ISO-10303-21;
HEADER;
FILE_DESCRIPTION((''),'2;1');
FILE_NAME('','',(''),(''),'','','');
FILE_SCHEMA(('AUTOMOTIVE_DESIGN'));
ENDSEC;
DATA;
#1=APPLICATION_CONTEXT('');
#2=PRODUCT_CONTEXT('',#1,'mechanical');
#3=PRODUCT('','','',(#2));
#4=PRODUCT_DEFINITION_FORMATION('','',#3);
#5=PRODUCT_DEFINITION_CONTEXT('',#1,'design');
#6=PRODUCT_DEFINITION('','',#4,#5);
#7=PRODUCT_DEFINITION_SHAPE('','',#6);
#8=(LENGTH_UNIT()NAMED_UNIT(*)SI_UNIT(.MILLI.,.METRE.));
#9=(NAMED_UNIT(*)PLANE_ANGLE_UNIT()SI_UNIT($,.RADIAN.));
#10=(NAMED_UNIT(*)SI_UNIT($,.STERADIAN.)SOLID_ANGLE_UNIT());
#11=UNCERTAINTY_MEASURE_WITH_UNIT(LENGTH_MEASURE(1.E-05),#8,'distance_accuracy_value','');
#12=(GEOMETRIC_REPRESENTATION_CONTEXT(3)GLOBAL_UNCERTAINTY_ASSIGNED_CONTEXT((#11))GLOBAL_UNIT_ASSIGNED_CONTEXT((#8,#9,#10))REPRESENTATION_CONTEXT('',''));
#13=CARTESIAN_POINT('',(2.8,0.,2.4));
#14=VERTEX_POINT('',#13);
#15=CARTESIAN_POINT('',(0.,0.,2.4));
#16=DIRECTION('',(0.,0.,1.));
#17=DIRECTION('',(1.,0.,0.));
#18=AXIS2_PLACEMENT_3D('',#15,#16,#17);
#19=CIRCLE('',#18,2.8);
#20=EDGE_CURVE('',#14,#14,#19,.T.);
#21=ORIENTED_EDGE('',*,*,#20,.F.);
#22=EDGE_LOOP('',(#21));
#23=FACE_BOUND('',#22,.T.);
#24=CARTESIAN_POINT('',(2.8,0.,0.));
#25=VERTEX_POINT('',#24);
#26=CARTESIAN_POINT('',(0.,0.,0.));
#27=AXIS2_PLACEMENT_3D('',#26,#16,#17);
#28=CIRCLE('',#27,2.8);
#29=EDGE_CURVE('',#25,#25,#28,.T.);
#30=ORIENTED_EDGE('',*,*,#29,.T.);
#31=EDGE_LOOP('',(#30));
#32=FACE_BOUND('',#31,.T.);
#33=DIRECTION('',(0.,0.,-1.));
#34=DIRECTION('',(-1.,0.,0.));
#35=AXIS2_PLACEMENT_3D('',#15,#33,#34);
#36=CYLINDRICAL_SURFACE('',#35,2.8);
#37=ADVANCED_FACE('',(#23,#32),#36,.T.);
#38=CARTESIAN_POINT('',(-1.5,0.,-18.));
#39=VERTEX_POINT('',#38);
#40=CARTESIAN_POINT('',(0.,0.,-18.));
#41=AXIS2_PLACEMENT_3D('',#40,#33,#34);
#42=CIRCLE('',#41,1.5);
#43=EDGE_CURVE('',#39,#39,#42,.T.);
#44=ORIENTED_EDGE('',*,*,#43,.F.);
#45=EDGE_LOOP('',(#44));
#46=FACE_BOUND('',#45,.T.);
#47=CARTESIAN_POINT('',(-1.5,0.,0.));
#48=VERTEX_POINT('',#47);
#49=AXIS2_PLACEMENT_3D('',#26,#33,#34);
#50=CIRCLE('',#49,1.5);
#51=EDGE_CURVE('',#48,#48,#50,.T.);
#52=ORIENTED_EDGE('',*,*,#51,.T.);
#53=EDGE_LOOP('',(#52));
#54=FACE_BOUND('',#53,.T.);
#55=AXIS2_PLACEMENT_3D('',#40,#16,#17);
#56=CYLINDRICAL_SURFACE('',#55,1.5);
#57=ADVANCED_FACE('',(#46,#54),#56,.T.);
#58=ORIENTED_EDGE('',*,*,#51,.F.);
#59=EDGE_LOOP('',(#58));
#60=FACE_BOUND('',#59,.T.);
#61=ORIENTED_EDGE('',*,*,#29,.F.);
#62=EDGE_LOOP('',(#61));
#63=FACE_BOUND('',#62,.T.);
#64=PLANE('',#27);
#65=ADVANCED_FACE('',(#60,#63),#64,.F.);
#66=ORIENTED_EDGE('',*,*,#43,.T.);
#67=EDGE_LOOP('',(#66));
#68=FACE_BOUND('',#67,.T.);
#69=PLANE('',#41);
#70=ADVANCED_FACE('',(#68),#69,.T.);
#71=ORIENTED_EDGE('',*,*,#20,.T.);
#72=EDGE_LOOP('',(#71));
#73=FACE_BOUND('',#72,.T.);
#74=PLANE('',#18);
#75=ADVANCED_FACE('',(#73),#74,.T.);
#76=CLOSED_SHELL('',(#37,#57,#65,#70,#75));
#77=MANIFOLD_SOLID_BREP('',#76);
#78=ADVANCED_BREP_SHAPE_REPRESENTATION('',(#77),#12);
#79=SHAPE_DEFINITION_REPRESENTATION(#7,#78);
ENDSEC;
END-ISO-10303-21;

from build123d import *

# Parameters (mm, degrees)
ESQUISSE1_R        = 2.8
BOSS_EXTRU_1_DEPTH = 2.4
ESQUISSE2_R        = 1.5
BOSS_EXTRU_2_DEPTH = 18


with BuildPart() as part:
    # Esquisse1 → Boss.-Extru.1 (new body)
    with BuildSketch(Plane.XY):
        Circle(ESQUISSE1_R)
    extrude(amount=BOSS_EXTRU_1_DEPTH)

    # Esquisse2 → Boss.-Extru.2 (add)
    with BuildSketch(Plane(origin=(0, 0, 0), x_dir=(-1, 0, 0), z_dir=(0, 0, -1))):
        Circle(ESQUISSE2_R)
    extrude(amount=BOSS_EXTRU_2_DEPTH)


solid = part.part
